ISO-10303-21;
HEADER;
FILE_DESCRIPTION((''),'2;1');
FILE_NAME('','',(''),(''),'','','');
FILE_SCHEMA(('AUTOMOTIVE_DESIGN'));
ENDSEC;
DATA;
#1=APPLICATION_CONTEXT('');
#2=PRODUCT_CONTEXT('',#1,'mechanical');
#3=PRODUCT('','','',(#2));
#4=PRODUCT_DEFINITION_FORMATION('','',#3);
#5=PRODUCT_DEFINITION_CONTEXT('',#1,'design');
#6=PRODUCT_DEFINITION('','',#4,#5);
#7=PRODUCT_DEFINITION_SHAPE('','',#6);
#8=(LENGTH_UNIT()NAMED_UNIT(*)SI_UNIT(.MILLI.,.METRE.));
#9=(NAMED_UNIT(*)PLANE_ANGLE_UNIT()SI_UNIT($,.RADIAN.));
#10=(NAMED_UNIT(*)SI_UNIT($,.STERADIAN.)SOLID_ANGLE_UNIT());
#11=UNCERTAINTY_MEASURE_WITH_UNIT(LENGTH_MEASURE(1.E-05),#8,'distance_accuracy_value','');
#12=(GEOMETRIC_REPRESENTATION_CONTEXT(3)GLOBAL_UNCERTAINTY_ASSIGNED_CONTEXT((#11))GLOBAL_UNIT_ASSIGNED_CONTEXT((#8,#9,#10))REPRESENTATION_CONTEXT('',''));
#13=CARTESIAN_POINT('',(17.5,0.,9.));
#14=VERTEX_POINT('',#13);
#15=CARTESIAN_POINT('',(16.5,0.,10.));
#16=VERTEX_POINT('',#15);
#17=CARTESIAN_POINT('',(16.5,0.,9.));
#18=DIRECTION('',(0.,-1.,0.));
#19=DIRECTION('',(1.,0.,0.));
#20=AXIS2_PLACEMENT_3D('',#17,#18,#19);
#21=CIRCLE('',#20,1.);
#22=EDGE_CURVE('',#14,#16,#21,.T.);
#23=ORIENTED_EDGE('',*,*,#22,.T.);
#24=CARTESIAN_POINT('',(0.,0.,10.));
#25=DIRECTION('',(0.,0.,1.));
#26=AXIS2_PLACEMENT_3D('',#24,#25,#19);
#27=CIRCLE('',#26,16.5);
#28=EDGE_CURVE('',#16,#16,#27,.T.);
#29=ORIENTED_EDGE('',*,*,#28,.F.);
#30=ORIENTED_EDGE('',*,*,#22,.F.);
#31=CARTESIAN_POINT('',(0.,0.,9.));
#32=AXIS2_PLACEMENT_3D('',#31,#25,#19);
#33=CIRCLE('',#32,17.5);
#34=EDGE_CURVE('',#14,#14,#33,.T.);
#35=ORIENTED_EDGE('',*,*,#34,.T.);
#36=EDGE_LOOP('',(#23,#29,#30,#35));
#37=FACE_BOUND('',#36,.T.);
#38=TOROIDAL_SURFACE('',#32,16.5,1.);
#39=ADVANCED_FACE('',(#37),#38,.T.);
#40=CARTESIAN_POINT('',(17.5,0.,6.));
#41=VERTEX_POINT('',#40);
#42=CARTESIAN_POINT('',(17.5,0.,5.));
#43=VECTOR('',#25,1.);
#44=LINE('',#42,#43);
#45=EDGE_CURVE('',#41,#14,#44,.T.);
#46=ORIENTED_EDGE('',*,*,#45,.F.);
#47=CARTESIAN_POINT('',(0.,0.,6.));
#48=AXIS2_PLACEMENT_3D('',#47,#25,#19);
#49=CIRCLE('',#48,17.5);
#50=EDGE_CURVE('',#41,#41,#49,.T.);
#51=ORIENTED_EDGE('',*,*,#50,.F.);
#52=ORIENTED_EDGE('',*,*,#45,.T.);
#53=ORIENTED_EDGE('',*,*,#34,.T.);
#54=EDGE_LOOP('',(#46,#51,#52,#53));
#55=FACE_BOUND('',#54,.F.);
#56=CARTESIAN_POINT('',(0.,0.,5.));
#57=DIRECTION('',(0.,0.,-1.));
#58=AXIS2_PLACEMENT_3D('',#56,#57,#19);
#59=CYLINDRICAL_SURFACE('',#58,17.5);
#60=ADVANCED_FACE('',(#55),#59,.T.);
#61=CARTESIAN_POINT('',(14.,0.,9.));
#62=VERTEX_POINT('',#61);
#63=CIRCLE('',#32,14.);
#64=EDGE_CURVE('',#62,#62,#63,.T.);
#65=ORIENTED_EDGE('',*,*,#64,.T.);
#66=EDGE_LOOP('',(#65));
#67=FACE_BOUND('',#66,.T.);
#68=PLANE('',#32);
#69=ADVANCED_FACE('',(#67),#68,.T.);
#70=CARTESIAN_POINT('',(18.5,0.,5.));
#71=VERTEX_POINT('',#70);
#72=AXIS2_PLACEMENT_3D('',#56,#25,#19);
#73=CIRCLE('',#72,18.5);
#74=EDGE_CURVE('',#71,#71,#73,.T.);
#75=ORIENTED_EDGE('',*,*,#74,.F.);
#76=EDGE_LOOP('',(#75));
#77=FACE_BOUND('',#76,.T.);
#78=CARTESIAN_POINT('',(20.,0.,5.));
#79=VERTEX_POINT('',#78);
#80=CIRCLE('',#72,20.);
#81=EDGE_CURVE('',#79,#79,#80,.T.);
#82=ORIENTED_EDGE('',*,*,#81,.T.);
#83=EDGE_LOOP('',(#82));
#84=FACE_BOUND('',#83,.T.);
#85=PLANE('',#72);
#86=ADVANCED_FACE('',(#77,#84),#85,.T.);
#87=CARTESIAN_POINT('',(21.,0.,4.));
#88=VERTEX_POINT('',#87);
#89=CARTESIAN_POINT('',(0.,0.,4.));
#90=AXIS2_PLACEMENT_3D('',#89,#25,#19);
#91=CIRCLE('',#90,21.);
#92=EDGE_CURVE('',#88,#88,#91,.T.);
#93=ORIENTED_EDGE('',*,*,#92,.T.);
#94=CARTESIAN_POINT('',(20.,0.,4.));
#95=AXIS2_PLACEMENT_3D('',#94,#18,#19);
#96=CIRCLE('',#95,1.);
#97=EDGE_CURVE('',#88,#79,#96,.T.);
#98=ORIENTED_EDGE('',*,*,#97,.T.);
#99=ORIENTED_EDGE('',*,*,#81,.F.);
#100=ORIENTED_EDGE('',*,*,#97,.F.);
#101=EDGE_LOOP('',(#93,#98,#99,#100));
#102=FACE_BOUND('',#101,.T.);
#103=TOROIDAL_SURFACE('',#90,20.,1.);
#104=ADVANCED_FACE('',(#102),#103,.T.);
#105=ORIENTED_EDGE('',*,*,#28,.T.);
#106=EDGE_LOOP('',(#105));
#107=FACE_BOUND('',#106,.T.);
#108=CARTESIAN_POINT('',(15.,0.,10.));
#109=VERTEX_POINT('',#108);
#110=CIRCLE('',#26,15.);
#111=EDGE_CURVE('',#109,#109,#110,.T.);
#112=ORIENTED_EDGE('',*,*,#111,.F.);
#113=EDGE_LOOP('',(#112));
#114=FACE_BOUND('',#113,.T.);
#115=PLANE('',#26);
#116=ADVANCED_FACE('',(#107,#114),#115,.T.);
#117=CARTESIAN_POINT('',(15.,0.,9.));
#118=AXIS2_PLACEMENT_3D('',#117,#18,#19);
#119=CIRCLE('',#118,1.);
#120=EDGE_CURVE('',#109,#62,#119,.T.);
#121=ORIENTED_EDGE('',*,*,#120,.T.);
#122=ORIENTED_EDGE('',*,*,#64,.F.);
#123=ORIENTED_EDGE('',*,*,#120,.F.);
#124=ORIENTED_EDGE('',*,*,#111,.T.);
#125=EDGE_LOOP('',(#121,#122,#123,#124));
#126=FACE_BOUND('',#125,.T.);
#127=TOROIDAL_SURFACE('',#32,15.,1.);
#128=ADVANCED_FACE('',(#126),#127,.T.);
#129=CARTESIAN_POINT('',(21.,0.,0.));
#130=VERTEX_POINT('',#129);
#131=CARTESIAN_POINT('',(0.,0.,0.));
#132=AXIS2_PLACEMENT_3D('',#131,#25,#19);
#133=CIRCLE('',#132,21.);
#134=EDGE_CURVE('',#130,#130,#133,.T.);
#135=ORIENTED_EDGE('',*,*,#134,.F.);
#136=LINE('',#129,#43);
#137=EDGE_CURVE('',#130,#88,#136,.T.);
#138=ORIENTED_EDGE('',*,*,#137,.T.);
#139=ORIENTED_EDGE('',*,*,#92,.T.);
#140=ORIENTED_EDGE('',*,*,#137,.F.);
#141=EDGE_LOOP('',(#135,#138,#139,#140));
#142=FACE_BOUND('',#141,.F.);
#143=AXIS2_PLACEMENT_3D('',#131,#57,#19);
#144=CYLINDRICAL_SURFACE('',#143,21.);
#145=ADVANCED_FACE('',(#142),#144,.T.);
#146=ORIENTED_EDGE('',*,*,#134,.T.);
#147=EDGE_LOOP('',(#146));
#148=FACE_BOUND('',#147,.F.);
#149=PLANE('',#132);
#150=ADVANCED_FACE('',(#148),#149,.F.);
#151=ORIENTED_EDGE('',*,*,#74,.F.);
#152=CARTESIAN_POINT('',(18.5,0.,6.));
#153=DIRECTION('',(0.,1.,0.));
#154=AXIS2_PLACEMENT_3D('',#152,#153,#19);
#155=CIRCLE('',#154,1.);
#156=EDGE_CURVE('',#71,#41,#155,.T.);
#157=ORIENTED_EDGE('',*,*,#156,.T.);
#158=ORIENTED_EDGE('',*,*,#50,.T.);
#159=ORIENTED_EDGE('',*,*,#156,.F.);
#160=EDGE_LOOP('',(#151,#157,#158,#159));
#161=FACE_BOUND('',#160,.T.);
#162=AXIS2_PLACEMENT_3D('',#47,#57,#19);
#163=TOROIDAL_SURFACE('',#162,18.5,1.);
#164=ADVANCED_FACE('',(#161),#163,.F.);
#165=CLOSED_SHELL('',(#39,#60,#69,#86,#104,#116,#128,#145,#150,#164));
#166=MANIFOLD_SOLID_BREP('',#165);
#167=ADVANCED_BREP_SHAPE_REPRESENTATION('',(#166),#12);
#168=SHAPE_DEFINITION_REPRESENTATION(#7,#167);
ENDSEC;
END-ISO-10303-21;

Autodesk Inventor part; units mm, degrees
ref_plane "YZ Plane" through (0, 0, 0) normal (1, 0, 0) x (0, 1, 0)
ref_plane "XZ Plane" through (0, 0, 0) normal (0, 1, 0) x (-1, 0, 0)
ref_plane "XY Plane" through (0, 0, 0) normal (0, 0, 1) x (1, 0, 0)
sketch "スケッチ1" plane through (0, 0, 0) normal (0, 0, 1) x (1, 0, 0)
  circle A0 centre (0, 0) radius 21
  dimension "d0" = 42
extrude "押し出し1" add sketch "スケッチ1" along normal blind 5
sketch "スケッチ2" plane through (0, 0, 5) normal (0, 0, 1) x (1, 0, 0)
  circle A0 centre (0, 0) radius 14
  circle A1 centre (0, 0) radius 17.5
  circle A2 centre (0, 0) radius 21 projected
  dimension "d3" = 28
  dimension "d8" = 7
  dimension "d9" = 3.5
extrude "押し出し3" add sketch "スケッチ2" along normal blind 5 contours A1
fillet "フィレット1" radius 1 4 edges at (-14, 0, 10) (-17.5, 0, 10) (-17.5, 0, 5) (-21, 0, 5)
extrude "押し出し4" add sketch "スケッチ2" along normal blind 4 contours A0
equation "\"d9\" = 0.5 * d8"
properties part number "inkpad"
